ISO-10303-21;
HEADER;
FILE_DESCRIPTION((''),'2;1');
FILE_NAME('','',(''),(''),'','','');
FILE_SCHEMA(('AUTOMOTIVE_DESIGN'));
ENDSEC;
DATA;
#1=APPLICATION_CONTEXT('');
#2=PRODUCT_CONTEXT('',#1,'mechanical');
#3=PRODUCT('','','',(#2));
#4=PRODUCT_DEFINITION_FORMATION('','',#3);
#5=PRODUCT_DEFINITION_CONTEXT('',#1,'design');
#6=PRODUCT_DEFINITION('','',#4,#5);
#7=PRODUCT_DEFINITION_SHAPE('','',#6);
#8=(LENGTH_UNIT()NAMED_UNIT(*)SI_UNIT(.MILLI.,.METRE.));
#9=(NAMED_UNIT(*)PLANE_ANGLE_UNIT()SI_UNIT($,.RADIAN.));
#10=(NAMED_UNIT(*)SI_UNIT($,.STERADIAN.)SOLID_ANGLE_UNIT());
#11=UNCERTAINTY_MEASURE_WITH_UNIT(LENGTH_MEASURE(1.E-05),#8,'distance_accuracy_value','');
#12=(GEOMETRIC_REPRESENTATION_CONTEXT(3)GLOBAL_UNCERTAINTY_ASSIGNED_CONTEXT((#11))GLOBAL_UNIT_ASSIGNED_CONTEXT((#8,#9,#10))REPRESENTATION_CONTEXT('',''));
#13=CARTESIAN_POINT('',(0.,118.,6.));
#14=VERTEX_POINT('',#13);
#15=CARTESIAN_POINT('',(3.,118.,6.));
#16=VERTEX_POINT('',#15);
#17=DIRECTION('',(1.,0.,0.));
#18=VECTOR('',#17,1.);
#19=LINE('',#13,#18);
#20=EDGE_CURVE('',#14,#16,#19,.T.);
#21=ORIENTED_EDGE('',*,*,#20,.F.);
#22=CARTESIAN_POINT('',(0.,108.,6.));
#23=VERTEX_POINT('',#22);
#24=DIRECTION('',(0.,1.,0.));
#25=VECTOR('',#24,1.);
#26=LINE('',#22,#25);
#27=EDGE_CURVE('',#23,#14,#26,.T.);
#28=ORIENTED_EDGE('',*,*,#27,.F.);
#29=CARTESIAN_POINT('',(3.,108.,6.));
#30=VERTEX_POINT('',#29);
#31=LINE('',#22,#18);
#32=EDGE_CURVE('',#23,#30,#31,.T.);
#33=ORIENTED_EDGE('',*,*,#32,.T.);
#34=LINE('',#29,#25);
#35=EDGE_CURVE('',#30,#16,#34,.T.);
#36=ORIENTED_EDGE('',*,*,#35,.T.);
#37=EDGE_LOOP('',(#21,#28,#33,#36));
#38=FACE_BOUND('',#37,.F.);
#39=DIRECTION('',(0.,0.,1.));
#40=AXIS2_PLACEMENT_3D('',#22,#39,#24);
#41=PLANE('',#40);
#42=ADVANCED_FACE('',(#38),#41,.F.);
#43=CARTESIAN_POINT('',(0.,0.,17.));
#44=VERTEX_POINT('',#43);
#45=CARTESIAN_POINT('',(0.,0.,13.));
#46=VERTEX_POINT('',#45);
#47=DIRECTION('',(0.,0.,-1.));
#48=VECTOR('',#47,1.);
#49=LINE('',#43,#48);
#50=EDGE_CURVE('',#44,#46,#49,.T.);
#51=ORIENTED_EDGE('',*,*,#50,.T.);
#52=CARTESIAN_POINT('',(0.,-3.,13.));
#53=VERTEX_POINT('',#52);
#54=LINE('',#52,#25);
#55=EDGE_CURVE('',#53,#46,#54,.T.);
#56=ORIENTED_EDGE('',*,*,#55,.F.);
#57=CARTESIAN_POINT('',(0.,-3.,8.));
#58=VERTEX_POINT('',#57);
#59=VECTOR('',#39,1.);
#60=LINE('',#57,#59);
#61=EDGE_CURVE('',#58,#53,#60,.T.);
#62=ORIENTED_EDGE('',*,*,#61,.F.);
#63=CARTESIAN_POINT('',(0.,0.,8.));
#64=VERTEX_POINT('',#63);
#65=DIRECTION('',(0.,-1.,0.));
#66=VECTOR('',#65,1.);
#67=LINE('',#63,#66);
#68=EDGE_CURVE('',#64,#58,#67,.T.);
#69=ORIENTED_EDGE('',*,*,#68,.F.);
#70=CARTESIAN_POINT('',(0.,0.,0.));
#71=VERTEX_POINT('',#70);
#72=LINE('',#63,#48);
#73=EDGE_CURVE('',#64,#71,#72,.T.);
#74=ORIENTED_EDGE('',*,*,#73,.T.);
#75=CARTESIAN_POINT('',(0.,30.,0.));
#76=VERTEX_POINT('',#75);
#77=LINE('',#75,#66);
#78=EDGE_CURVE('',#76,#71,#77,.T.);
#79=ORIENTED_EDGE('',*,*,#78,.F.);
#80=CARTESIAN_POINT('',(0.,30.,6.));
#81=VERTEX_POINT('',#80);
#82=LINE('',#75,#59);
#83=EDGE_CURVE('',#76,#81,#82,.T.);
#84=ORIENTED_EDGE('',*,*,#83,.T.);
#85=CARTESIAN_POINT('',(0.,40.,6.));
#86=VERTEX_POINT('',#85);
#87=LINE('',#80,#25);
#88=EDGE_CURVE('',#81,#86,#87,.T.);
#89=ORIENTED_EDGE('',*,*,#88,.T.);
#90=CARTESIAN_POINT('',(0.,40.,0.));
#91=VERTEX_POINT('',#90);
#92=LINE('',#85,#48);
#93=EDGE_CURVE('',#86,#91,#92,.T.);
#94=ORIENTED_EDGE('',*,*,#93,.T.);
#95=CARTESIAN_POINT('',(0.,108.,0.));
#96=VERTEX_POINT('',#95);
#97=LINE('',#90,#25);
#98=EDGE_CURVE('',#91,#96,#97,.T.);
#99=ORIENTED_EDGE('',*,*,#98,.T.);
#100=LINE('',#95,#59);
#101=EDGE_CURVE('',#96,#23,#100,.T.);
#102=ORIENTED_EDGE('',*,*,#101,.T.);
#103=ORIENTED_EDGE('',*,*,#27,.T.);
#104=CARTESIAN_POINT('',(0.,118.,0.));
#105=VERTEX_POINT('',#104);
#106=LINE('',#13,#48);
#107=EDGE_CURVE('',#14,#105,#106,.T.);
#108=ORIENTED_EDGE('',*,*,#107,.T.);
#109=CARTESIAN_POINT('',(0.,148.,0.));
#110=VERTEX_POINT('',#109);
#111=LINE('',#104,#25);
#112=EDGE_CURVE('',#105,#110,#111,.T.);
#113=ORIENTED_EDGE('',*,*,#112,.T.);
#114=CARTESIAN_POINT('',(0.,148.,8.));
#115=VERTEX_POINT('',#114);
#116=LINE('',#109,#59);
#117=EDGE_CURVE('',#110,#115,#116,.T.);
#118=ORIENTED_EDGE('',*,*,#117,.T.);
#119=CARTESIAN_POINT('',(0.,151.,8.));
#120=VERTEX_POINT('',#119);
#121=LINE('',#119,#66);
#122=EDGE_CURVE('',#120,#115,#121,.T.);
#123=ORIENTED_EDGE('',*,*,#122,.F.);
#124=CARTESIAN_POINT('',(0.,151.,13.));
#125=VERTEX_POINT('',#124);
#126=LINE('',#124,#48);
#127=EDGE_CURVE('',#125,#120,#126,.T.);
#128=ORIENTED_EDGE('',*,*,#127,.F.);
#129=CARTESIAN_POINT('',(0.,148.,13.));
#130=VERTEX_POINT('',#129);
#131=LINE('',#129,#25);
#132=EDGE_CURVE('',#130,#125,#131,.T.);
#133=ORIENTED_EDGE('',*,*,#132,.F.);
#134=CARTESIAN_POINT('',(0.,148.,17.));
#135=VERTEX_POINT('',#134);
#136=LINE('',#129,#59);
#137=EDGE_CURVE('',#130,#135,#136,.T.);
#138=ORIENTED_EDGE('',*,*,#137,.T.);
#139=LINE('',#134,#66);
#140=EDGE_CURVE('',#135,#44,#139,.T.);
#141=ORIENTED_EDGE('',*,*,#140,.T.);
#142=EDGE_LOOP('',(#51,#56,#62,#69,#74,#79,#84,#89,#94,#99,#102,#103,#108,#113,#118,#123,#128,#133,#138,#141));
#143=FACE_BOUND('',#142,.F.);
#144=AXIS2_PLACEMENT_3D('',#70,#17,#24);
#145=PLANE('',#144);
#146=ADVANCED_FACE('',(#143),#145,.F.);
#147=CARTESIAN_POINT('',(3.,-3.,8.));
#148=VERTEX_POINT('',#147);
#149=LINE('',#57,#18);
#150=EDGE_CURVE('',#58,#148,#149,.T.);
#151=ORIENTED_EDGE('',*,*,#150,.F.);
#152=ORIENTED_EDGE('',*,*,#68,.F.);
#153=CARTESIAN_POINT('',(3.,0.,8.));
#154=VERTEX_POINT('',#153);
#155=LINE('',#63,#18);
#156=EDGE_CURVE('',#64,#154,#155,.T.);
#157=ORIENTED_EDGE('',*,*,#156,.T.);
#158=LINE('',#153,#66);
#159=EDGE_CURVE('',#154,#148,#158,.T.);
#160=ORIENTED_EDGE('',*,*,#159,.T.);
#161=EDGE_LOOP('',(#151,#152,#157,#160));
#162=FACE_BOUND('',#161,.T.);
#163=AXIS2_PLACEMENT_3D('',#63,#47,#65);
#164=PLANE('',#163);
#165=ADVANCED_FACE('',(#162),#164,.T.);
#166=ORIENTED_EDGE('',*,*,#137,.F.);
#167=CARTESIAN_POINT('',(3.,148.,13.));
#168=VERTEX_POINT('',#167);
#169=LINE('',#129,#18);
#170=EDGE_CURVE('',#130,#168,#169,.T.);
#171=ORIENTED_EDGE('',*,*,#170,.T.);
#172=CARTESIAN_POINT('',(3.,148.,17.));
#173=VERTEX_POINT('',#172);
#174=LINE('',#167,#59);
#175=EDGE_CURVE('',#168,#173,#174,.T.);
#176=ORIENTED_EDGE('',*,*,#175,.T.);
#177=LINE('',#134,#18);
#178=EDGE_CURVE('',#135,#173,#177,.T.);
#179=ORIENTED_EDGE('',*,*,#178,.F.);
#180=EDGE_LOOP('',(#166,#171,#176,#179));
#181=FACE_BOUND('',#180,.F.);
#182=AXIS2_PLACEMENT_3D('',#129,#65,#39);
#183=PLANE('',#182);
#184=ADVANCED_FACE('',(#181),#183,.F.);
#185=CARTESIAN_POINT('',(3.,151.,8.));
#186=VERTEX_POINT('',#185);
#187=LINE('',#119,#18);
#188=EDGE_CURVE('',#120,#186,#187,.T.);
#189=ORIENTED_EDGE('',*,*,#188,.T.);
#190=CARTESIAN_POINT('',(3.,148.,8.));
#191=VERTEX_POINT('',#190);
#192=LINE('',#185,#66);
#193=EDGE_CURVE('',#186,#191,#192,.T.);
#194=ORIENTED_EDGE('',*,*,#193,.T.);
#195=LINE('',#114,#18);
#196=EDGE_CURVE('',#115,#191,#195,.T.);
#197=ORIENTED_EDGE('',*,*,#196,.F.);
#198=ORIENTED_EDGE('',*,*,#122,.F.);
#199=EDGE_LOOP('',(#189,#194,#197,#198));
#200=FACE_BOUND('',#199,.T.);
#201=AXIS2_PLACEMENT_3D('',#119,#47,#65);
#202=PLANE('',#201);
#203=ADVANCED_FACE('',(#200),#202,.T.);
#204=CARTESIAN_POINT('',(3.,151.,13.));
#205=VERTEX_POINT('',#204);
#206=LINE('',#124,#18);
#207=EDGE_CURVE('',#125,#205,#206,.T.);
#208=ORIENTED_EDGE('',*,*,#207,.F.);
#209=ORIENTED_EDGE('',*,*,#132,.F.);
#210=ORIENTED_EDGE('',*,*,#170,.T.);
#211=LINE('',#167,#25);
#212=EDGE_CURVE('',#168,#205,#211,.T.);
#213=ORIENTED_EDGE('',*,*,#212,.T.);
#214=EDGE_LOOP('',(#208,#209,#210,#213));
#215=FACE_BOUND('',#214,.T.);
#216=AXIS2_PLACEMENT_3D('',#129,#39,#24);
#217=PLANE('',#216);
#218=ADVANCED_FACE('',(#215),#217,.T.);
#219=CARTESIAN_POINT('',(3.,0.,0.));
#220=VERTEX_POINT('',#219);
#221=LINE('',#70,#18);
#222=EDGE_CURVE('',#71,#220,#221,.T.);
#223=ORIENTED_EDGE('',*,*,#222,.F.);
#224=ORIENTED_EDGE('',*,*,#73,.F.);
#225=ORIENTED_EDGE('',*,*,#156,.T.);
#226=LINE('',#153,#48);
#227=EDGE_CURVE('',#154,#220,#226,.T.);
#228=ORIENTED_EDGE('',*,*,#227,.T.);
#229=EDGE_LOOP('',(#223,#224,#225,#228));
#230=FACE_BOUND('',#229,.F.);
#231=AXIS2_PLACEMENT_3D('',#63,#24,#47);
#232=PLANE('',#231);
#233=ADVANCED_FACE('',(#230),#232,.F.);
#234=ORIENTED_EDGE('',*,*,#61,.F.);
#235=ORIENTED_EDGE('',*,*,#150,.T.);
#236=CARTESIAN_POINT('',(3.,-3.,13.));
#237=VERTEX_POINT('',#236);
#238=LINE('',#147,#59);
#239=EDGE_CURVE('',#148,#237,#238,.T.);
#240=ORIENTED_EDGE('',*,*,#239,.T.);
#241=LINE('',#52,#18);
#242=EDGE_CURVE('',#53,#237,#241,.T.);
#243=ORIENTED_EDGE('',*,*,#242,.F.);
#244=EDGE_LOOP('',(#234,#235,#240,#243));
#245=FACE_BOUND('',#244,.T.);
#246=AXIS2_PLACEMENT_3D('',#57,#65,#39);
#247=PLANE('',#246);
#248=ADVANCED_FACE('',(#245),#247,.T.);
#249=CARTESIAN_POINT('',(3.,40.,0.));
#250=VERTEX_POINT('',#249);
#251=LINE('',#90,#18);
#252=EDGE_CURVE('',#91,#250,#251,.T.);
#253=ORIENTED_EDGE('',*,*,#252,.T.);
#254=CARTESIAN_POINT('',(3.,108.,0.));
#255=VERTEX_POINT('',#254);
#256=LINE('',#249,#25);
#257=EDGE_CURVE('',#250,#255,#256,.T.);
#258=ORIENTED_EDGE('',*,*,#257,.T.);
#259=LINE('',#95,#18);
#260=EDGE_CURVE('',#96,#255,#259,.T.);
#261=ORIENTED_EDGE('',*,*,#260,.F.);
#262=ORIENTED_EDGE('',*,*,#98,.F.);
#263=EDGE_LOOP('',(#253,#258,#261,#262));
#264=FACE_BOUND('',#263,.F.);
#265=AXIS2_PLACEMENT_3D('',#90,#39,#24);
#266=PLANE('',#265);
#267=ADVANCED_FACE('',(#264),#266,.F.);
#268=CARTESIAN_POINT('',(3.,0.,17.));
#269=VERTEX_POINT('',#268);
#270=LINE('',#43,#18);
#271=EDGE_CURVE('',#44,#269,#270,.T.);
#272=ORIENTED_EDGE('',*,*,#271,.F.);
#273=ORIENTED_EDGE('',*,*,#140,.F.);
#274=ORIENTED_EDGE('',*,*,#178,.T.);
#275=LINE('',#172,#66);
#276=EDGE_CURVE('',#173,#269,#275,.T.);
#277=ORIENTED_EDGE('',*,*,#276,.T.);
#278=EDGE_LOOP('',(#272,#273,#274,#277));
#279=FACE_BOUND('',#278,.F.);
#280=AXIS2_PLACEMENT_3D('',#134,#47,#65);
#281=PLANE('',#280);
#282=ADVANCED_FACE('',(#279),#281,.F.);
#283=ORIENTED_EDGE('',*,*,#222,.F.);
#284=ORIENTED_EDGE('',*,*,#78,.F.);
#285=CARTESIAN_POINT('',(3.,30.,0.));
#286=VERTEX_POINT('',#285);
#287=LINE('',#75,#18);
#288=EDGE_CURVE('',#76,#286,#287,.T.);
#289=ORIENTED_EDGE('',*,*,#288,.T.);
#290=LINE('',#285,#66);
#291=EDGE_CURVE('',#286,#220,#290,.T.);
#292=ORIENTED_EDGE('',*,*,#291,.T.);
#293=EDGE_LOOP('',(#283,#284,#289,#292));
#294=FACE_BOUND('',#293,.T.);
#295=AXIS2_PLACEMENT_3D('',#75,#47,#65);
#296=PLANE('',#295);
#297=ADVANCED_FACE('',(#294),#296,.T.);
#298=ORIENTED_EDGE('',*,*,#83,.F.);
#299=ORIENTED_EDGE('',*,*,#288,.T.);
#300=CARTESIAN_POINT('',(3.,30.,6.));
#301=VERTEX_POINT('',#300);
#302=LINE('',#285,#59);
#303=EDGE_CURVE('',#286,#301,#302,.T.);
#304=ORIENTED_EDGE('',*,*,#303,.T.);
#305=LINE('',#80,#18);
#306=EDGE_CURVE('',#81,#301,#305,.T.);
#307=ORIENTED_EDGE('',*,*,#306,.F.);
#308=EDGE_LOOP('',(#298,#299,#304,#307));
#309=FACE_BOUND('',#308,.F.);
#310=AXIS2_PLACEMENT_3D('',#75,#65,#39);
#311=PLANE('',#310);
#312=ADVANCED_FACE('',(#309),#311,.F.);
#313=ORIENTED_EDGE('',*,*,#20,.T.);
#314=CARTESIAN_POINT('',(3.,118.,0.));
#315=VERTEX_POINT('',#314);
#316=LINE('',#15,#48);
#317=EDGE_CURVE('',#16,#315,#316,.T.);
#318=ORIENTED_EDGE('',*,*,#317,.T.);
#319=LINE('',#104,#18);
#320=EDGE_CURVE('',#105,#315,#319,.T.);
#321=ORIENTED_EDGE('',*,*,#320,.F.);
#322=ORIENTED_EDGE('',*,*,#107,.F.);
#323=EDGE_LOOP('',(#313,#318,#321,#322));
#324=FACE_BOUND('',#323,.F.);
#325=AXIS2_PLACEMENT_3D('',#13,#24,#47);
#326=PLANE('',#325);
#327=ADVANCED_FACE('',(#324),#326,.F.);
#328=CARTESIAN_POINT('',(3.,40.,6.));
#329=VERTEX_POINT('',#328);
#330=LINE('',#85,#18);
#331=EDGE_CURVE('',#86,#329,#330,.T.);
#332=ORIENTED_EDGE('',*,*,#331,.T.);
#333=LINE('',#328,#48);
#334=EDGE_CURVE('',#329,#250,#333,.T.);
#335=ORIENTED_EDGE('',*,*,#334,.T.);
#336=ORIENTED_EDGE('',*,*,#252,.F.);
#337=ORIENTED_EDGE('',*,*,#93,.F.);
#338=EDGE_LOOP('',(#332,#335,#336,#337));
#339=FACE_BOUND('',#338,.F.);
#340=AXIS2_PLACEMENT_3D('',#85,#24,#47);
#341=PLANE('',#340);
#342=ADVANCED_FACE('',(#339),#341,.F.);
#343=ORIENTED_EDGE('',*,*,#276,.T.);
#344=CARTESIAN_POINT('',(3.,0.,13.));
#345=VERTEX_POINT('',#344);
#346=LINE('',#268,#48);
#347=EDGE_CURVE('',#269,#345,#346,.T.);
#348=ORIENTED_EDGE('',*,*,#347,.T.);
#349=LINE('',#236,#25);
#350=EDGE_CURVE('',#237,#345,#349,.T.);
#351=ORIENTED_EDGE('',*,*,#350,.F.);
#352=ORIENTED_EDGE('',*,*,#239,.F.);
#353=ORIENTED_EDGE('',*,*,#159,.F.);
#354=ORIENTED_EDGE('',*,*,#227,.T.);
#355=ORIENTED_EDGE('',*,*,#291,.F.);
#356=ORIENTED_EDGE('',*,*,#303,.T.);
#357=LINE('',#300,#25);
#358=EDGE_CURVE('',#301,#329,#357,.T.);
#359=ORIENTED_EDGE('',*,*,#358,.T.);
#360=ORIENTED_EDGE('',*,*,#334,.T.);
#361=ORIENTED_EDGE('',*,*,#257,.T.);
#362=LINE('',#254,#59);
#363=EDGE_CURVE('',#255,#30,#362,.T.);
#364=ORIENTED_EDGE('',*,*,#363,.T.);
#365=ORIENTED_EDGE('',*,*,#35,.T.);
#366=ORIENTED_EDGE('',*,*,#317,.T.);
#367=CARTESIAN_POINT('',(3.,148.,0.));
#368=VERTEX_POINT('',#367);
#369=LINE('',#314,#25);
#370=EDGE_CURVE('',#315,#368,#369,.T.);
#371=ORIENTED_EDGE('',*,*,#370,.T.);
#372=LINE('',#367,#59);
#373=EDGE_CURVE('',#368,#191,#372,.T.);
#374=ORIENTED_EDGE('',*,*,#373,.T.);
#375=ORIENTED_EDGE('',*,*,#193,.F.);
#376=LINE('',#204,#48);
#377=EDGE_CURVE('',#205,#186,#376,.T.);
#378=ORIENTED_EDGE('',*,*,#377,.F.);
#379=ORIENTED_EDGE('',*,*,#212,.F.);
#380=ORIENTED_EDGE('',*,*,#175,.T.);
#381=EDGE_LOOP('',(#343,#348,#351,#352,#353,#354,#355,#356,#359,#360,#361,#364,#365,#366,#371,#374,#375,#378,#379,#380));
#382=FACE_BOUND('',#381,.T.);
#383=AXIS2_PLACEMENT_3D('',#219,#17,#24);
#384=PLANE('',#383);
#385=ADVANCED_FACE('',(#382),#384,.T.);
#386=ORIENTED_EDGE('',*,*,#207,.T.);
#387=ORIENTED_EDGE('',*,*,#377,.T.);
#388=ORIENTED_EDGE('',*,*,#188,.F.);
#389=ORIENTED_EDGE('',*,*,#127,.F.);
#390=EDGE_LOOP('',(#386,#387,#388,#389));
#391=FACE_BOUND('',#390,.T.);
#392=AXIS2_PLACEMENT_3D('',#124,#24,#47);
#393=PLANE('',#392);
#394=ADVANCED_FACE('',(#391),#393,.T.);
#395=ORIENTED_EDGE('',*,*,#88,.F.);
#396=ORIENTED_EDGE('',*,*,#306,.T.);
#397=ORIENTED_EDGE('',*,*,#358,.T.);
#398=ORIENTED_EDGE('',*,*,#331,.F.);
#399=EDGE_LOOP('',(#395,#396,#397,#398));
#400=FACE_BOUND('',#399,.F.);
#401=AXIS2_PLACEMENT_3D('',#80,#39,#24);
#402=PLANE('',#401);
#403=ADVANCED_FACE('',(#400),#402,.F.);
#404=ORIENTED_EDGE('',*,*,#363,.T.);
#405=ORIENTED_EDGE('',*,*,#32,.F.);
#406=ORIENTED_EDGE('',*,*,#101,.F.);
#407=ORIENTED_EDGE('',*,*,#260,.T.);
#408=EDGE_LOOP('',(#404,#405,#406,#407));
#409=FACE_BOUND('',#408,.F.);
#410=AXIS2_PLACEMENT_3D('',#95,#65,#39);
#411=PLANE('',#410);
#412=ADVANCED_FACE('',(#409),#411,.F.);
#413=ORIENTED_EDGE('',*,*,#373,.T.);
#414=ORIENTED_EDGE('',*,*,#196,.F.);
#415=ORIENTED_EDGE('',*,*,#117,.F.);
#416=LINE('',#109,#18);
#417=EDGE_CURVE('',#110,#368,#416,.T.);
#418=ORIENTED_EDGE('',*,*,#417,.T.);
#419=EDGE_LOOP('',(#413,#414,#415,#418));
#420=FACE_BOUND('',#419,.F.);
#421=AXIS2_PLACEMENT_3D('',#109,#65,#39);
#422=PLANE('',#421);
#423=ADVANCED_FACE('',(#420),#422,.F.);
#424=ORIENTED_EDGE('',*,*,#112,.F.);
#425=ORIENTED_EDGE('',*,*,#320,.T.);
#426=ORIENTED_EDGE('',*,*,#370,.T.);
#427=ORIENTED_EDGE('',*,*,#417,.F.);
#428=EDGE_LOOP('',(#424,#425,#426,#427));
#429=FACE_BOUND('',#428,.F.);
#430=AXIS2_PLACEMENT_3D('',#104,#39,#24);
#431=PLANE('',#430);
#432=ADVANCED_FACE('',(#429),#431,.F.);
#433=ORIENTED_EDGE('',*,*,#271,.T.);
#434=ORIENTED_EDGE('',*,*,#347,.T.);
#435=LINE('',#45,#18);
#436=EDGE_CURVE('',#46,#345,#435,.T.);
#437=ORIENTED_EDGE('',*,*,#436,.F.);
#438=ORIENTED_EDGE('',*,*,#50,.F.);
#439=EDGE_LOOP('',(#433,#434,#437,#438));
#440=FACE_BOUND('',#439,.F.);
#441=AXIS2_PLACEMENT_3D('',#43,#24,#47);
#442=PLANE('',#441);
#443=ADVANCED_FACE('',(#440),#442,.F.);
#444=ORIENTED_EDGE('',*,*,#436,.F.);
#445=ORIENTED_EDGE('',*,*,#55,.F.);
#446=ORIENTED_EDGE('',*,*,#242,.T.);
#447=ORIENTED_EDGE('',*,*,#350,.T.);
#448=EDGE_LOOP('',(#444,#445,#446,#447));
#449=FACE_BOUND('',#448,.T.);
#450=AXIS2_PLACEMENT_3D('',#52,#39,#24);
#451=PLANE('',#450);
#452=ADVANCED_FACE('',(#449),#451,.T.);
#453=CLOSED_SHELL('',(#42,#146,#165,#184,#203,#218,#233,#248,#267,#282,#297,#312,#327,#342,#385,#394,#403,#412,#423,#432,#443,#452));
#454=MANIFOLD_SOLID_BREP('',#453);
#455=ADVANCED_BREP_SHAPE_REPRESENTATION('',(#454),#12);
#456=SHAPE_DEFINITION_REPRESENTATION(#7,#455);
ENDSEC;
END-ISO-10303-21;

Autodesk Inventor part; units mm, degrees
ref_plane "YZ Plane" through (0, 0, 0) normal (1, 0, 0) x (0, 1, 0)
ref_plane "XZ Plane" through (0, 0, 0) normal (0, 1, 0) x (-1, 0, 0)
ref_plane "XY Plane" through (0, 0, 0) normal (0, 0, 1) x (1, 0, 0)
sketch "Sketch1" plane through (0, 0, 0) normal (1, 0, 0) x (0, 1, 0)
  line L0 (0, 8) -> (-3, 8)
  line L1 (-3, 8) -> (-3, 13)
  line L2 (-3, 13) -> (0, 13)
  line L3 (0, 17) -> (0, 13)
  line L4 (0, 8) -> (0, 0)
  line L5 (148, 13) -> (151, 13)
  line L6 (151, 13) -> (151, 8)
  line L7 (151, 8) -> (148, 8)
  line L8 (148, 0) -> (148, 8)
  line L9 (148, 13) -> (148, 17)
  line L10 (30, 0) -> (30, 6)
  line L11 (30, 6) -> (40, 6)
  line L12 (40, 6) -> (40, 0)
  line L13 (108, 0) -> (108, 6)
  line L14 (108, 6) -> (118, 6)
  line L15 (118, 6) -> (118, 0)
  line L16 (40, 0) -> (108, 0)
  line L17 (148, 17) -> (0, 17)
  line L18 (30, 0) -> (0, 0)
  line L19 (118, 0) -> (148, 0)
  dimension "d1" = 148
  dimension "d2" = 5
  dimension "d3" = 3
  dimension "d7" = 10
  dimension "d9" = 30
  dimension "d31" = 6
  dimension "d38" = 17
  dimension "d39" = 8
  dimension "d40" = 2
extrude "Extrusion2" add sketch "Sketch1" along normal blind 3
properties part number "Electronics Chassis Wall"
